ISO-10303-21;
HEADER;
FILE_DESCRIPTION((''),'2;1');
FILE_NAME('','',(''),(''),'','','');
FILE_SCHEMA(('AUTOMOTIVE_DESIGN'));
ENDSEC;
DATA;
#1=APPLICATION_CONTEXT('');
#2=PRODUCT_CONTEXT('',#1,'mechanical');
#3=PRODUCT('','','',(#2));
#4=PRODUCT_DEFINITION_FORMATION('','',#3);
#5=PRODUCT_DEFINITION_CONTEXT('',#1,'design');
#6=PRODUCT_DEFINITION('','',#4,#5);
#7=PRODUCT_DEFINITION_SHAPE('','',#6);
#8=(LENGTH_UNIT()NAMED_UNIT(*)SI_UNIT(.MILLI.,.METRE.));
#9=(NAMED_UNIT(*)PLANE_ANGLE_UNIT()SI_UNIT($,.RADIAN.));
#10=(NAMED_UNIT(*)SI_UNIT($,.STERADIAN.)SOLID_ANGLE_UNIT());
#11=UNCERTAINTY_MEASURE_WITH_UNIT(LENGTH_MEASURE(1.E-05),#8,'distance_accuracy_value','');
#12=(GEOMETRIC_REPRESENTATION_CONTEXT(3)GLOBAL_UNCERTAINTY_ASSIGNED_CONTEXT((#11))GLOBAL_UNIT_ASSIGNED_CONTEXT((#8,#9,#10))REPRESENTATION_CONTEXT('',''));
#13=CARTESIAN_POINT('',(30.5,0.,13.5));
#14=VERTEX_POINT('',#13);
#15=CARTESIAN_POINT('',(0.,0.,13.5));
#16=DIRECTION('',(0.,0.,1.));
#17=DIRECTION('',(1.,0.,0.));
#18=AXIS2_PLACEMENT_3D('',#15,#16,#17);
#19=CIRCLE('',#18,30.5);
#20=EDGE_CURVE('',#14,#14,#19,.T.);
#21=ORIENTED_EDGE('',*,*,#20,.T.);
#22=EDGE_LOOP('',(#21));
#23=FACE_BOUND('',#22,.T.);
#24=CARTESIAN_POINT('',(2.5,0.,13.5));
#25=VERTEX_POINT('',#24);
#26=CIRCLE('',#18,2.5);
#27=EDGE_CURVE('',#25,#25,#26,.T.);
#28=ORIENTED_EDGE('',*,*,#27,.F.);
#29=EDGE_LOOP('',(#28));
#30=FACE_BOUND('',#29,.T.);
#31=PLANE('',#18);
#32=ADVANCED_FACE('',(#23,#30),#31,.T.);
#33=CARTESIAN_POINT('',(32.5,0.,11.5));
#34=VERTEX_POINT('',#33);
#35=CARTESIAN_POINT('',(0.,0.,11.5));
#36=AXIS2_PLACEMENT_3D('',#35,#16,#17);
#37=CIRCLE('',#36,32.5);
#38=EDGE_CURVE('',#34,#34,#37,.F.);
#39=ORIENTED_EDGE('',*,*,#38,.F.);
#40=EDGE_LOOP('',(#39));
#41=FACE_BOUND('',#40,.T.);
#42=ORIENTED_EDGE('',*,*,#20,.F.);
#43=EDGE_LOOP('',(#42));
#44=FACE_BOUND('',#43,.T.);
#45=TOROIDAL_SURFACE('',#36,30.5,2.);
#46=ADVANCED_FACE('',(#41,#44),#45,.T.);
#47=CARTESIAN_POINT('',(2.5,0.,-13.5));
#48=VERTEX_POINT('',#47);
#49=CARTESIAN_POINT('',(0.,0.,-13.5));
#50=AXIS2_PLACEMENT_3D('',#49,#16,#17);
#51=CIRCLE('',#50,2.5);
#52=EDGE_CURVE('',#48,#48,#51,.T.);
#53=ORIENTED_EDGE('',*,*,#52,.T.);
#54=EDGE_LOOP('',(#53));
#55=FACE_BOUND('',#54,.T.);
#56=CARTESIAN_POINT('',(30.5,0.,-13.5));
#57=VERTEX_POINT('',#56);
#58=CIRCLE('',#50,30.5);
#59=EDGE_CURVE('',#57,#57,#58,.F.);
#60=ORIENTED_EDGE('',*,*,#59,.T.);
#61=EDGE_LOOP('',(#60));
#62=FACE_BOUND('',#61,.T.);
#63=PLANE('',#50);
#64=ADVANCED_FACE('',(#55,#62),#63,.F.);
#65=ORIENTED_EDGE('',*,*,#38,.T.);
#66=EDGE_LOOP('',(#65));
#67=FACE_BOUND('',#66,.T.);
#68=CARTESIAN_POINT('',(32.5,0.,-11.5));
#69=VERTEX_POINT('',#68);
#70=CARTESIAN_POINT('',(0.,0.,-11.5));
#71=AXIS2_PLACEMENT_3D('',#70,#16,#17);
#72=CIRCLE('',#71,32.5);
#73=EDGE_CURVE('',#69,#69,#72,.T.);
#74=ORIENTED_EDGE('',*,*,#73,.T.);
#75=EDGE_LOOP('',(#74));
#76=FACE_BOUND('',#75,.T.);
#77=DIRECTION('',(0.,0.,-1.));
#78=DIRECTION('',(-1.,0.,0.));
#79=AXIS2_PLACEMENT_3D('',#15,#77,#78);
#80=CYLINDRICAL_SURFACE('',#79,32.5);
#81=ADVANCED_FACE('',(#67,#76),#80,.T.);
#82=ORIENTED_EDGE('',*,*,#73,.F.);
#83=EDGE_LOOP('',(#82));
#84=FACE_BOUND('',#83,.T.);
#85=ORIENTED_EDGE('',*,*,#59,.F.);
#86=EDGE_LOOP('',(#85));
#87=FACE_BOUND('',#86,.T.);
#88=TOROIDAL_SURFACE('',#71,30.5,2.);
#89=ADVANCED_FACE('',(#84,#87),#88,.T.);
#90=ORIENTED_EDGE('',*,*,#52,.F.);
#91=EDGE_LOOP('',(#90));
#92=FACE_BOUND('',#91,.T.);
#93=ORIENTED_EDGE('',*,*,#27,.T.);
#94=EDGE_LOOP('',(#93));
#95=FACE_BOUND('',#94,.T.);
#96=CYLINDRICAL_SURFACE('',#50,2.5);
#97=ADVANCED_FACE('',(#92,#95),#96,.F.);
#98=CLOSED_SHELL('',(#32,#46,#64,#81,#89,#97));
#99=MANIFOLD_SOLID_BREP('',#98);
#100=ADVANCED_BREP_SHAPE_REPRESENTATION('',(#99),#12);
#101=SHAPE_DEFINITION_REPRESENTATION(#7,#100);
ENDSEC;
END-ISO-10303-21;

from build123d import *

# Parameters (mm, degrees)
SKETCH1_R           = 32.5
BOSS_EXTRUDE1_DEPTH = 13.5
FILLET1_R           = 2
SKETCH2_R           = 2.5
CUT_EXTRUDE1_DEPTH  = 28


with BuildPart() as part:
    # Sketch1 → Boss-Extrude1 (new body, symmetric)
    with BuildSketch(Plane.XY):
        Circle(SKETCH1_R)
    extrude(amount=BOSS_EXTRUDE1_DEPTH, both=True)

    # Fillet1
    fillet1_edges = [part.edges().sort_by_distance(p)[0] for p in [
        (-32.5, 0, -13.5),
        (-32.5, 0, 13.5),
    ]]
    fillet(fillet1_edges, radius=FILLET1_R)

    # Sketch2 → Cut-Extrude1 (cut, through all)
    with BuildSketch(Plane.XY.offset(13.5)):
        Circle(SKETCH2_R)
    extrude(amount=-CUT_EXTRUDE1_DEPTH, mode=Mode.SUBTRACT)


solid = part.part
